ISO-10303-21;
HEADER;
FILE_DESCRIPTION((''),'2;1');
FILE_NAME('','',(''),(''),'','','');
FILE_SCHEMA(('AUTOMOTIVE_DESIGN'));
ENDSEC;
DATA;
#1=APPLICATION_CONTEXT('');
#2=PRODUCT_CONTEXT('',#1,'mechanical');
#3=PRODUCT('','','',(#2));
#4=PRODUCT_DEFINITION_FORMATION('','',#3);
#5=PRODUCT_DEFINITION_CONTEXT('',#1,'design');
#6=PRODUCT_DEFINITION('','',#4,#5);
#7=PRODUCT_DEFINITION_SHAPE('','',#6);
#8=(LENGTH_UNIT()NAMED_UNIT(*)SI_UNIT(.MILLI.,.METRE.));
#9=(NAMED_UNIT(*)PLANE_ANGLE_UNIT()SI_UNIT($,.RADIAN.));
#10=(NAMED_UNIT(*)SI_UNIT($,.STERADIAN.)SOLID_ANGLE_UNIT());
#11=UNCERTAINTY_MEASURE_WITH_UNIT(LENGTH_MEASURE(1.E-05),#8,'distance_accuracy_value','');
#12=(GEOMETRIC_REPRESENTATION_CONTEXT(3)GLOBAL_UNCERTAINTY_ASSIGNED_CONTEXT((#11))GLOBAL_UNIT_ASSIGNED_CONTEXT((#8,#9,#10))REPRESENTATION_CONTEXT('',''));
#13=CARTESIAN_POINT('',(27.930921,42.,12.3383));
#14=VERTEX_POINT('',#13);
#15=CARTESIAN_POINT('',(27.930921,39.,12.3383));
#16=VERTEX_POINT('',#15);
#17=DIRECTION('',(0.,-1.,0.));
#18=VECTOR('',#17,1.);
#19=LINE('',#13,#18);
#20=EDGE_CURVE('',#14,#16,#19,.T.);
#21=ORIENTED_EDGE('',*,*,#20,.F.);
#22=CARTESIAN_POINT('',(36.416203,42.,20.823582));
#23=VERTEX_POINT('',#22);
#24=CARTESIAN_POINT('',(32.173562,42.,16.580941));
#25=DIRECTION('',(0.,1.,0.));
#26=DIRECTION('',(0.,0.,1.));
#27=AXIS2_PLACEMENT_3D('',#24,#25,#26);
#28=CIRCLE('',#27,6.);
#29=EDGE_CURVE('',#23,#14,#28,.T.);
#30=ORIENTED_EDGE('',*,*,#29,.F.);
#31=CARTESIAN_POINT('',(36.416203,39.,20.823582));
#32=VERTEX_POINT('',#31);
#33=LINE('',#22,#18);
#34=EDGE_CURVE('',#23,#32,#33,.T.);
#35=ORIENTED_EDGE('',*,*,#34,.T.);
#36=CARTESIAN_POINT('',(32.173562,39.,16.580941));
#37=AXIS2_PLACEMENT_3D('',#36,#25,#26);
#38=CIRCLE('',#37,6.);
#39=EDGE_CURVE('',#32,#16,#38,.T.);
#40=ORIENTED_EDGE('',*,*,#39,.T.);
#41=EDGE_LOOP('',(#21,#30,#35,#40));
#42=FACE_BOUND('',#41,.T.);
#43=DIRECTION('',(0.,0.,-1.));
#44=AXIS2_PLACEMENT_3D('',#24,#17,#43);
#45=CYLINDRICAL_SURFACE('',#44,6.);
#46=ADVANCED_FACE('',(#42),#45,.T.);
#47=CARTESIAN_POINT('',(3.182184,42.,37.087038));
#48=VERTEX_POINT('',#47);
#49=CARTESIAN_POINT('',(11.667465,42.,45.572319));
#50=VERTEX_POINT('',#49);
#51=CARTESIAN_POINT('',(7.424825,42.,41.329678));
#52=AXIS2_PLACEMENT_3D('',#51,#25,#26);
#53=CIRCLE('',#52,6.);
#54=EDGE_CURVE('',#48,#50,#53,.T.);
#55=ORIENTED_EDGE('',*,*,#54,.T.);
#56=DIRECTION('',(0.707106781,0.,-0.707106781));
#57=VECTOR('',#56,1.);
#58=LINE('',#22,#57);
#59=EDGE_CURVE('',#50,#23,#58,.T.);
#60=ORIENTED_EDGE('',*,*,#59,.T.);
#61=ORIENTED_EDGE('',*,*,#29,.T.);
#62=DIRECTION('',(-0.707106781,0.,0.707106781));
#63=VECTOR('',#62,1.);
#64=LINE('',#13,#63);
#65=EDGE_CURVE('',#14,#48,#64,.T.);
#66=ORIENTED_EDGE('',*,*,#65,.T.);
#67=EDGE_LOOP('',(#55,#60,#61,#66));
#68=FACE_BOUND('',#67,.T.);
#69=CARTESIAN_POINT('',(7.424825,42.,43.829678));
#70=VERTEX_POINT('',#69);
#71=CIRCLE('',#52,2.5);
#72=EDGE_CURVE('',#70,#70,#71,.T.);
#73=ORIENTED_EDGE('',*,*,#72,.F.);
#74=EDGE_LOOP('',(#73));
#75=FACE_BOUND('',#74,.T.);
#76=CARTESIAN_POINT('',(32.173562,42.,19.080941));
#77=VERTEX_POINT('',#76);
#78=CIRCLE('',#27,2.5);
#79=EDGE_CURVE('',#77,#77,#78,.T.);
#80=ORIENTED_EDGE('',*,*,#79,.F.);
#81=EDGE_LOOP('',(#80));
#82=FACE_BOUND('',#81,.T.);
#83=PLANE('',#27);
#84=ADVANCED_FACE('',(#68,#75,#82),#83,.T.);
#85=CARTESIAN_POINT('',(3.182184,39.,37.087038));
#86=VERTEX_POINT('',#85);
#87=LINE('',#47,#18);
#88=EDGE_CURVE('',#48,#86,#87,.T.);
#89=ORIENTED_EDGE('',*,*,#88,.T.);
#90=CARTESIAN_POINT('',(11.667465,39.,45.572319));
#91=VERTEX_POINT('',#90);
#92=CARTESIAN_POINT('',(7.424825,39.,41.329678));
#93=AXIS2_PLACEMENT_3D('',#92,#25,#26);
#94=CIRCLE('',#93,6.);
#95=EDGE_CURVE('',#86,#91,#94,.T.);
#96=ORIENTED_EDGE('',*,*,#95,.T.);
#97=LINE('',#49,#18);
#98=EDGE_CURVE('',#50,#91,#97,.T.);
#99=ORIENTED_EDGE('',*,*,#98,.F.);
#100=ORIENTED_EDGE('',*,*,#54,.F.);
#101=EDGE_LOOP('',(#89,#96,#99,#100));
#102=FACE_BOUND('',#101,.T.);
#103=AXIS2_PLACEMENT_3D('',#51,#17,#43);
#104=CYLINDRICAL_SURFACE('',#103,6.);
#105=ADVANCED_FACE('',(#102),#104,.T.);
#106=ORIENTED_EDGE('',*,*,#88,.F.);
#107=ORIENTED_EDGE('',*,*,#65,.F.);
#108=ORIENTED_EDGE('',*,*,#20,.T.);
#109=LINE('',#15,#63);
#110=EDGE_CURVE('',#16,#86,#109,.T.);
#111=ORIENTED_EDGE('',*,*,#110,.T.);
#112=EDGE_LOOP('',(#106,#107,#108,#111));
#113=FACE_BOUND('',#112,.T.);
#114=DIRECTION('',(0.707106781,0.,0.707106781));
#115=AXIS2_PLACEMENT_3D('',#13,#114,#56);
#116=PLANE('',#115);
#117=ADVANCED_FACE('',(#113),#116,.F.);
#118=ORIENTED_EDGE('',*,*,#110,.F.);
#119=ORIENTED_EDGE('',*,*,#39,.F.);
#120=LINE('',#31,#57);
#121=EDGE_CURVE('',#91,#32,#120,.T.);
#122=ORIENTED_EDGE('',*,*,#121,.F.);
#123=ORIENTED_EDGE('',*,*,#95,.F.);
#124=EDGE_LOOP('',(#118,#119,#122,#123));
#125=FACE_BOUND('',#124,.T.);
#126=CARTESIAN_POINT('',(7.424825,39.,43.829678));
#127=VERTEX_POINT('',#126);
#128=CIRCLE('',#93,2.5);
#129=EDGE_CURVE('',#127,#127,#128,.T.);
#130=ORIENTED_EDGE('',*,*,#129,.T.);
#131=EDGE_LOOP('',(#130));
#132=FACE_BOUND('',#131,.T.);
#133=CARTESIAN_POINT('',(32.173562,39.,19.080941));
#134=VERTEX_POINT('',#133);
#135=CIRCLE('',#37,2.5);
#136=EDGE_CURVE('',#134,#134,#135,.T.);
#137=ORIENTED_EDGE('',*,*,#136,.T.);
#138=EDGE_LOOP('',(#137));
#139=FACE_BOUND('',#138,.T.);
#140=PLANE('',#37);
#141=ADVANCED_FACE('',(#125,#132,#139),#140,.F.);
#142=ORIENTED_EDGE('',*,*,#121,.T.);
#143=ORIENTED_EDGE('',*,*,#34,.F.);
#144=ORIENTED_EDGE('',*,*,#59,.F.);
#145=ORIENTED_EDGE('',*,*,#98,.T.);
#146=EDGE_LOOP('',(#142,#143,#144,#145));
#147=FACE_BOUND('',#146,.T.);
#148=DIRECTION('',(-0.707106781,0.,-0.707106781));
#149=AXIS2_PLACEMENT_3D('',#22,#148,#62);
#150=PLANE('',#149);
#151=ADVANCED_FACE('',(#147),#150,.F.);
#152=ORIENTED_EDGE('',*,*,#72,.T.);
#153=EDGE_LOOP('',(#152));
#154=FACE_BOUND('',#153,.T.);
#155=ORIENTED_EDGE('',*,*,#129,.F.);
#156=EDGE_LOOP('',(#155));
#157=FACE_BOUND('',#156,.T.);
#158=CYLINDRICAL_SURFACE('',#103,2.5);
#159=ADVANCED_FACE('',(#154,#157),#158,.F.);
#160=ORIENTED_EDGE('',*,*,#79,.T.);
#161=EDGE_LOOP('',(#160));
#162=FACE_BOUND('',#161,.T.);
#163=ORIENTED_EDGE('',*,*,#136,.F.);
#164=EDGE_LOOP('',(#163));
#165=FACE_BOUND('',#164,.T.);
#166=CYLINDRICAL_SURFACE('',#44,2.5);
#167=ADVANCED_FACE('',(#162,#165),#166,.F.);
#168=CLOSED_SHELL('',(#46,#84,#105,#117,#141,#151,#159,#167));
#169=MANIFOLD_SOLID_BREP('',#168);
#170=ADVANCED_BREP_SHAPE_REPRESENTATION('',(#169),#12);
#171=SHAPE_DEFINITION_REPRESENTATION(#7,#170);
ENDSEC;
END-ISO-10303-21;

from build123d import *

# Parameters (mm, degrees)
ESQUISSE1_R        = 2.5
BOSS_EXTRU_1_DEPTH = 3


with BuildPart() as part:
    # Esquisse1 → Boss.-Extru.1 (new body)
    with BuildSketch(Plane(origin=(0, 39, 0), x_dir=(1, 0, 0), z_dir=(0, 1, 0))):
        with BuildLine():
            Line((27.930921382, -12.338300421), (3.182184041, -37.087037763))
            ThreePointArc((3.182184041, -37.087037763), (3.182184041, -45.572319137), (11.667465415, -45.572319137))
            Line((11.667465415, -45.572319137), (36.416202756, -20.823581795))
            ThreePointArc((36.416202756, -20.823581795), (36.416202756, -12.338300421), (27.930921382, -12.338300421))
        make_face()
        with Locations(Location((32.173562069, -16.580941108, 0), (0, 0, 270))):
            Circle(ESQUISSE1_R, mode=Mode.SUBTRACT)
        with Locations(Location((7.424824728, -41.32967845, 0), (0, 0, 270))):
            Circle(ESQUISSE1_R, mode=Mode.SUBTRACT)
    extrude(amount=BOSS_EXTRU_1_DEPTH)


solid = part.part
